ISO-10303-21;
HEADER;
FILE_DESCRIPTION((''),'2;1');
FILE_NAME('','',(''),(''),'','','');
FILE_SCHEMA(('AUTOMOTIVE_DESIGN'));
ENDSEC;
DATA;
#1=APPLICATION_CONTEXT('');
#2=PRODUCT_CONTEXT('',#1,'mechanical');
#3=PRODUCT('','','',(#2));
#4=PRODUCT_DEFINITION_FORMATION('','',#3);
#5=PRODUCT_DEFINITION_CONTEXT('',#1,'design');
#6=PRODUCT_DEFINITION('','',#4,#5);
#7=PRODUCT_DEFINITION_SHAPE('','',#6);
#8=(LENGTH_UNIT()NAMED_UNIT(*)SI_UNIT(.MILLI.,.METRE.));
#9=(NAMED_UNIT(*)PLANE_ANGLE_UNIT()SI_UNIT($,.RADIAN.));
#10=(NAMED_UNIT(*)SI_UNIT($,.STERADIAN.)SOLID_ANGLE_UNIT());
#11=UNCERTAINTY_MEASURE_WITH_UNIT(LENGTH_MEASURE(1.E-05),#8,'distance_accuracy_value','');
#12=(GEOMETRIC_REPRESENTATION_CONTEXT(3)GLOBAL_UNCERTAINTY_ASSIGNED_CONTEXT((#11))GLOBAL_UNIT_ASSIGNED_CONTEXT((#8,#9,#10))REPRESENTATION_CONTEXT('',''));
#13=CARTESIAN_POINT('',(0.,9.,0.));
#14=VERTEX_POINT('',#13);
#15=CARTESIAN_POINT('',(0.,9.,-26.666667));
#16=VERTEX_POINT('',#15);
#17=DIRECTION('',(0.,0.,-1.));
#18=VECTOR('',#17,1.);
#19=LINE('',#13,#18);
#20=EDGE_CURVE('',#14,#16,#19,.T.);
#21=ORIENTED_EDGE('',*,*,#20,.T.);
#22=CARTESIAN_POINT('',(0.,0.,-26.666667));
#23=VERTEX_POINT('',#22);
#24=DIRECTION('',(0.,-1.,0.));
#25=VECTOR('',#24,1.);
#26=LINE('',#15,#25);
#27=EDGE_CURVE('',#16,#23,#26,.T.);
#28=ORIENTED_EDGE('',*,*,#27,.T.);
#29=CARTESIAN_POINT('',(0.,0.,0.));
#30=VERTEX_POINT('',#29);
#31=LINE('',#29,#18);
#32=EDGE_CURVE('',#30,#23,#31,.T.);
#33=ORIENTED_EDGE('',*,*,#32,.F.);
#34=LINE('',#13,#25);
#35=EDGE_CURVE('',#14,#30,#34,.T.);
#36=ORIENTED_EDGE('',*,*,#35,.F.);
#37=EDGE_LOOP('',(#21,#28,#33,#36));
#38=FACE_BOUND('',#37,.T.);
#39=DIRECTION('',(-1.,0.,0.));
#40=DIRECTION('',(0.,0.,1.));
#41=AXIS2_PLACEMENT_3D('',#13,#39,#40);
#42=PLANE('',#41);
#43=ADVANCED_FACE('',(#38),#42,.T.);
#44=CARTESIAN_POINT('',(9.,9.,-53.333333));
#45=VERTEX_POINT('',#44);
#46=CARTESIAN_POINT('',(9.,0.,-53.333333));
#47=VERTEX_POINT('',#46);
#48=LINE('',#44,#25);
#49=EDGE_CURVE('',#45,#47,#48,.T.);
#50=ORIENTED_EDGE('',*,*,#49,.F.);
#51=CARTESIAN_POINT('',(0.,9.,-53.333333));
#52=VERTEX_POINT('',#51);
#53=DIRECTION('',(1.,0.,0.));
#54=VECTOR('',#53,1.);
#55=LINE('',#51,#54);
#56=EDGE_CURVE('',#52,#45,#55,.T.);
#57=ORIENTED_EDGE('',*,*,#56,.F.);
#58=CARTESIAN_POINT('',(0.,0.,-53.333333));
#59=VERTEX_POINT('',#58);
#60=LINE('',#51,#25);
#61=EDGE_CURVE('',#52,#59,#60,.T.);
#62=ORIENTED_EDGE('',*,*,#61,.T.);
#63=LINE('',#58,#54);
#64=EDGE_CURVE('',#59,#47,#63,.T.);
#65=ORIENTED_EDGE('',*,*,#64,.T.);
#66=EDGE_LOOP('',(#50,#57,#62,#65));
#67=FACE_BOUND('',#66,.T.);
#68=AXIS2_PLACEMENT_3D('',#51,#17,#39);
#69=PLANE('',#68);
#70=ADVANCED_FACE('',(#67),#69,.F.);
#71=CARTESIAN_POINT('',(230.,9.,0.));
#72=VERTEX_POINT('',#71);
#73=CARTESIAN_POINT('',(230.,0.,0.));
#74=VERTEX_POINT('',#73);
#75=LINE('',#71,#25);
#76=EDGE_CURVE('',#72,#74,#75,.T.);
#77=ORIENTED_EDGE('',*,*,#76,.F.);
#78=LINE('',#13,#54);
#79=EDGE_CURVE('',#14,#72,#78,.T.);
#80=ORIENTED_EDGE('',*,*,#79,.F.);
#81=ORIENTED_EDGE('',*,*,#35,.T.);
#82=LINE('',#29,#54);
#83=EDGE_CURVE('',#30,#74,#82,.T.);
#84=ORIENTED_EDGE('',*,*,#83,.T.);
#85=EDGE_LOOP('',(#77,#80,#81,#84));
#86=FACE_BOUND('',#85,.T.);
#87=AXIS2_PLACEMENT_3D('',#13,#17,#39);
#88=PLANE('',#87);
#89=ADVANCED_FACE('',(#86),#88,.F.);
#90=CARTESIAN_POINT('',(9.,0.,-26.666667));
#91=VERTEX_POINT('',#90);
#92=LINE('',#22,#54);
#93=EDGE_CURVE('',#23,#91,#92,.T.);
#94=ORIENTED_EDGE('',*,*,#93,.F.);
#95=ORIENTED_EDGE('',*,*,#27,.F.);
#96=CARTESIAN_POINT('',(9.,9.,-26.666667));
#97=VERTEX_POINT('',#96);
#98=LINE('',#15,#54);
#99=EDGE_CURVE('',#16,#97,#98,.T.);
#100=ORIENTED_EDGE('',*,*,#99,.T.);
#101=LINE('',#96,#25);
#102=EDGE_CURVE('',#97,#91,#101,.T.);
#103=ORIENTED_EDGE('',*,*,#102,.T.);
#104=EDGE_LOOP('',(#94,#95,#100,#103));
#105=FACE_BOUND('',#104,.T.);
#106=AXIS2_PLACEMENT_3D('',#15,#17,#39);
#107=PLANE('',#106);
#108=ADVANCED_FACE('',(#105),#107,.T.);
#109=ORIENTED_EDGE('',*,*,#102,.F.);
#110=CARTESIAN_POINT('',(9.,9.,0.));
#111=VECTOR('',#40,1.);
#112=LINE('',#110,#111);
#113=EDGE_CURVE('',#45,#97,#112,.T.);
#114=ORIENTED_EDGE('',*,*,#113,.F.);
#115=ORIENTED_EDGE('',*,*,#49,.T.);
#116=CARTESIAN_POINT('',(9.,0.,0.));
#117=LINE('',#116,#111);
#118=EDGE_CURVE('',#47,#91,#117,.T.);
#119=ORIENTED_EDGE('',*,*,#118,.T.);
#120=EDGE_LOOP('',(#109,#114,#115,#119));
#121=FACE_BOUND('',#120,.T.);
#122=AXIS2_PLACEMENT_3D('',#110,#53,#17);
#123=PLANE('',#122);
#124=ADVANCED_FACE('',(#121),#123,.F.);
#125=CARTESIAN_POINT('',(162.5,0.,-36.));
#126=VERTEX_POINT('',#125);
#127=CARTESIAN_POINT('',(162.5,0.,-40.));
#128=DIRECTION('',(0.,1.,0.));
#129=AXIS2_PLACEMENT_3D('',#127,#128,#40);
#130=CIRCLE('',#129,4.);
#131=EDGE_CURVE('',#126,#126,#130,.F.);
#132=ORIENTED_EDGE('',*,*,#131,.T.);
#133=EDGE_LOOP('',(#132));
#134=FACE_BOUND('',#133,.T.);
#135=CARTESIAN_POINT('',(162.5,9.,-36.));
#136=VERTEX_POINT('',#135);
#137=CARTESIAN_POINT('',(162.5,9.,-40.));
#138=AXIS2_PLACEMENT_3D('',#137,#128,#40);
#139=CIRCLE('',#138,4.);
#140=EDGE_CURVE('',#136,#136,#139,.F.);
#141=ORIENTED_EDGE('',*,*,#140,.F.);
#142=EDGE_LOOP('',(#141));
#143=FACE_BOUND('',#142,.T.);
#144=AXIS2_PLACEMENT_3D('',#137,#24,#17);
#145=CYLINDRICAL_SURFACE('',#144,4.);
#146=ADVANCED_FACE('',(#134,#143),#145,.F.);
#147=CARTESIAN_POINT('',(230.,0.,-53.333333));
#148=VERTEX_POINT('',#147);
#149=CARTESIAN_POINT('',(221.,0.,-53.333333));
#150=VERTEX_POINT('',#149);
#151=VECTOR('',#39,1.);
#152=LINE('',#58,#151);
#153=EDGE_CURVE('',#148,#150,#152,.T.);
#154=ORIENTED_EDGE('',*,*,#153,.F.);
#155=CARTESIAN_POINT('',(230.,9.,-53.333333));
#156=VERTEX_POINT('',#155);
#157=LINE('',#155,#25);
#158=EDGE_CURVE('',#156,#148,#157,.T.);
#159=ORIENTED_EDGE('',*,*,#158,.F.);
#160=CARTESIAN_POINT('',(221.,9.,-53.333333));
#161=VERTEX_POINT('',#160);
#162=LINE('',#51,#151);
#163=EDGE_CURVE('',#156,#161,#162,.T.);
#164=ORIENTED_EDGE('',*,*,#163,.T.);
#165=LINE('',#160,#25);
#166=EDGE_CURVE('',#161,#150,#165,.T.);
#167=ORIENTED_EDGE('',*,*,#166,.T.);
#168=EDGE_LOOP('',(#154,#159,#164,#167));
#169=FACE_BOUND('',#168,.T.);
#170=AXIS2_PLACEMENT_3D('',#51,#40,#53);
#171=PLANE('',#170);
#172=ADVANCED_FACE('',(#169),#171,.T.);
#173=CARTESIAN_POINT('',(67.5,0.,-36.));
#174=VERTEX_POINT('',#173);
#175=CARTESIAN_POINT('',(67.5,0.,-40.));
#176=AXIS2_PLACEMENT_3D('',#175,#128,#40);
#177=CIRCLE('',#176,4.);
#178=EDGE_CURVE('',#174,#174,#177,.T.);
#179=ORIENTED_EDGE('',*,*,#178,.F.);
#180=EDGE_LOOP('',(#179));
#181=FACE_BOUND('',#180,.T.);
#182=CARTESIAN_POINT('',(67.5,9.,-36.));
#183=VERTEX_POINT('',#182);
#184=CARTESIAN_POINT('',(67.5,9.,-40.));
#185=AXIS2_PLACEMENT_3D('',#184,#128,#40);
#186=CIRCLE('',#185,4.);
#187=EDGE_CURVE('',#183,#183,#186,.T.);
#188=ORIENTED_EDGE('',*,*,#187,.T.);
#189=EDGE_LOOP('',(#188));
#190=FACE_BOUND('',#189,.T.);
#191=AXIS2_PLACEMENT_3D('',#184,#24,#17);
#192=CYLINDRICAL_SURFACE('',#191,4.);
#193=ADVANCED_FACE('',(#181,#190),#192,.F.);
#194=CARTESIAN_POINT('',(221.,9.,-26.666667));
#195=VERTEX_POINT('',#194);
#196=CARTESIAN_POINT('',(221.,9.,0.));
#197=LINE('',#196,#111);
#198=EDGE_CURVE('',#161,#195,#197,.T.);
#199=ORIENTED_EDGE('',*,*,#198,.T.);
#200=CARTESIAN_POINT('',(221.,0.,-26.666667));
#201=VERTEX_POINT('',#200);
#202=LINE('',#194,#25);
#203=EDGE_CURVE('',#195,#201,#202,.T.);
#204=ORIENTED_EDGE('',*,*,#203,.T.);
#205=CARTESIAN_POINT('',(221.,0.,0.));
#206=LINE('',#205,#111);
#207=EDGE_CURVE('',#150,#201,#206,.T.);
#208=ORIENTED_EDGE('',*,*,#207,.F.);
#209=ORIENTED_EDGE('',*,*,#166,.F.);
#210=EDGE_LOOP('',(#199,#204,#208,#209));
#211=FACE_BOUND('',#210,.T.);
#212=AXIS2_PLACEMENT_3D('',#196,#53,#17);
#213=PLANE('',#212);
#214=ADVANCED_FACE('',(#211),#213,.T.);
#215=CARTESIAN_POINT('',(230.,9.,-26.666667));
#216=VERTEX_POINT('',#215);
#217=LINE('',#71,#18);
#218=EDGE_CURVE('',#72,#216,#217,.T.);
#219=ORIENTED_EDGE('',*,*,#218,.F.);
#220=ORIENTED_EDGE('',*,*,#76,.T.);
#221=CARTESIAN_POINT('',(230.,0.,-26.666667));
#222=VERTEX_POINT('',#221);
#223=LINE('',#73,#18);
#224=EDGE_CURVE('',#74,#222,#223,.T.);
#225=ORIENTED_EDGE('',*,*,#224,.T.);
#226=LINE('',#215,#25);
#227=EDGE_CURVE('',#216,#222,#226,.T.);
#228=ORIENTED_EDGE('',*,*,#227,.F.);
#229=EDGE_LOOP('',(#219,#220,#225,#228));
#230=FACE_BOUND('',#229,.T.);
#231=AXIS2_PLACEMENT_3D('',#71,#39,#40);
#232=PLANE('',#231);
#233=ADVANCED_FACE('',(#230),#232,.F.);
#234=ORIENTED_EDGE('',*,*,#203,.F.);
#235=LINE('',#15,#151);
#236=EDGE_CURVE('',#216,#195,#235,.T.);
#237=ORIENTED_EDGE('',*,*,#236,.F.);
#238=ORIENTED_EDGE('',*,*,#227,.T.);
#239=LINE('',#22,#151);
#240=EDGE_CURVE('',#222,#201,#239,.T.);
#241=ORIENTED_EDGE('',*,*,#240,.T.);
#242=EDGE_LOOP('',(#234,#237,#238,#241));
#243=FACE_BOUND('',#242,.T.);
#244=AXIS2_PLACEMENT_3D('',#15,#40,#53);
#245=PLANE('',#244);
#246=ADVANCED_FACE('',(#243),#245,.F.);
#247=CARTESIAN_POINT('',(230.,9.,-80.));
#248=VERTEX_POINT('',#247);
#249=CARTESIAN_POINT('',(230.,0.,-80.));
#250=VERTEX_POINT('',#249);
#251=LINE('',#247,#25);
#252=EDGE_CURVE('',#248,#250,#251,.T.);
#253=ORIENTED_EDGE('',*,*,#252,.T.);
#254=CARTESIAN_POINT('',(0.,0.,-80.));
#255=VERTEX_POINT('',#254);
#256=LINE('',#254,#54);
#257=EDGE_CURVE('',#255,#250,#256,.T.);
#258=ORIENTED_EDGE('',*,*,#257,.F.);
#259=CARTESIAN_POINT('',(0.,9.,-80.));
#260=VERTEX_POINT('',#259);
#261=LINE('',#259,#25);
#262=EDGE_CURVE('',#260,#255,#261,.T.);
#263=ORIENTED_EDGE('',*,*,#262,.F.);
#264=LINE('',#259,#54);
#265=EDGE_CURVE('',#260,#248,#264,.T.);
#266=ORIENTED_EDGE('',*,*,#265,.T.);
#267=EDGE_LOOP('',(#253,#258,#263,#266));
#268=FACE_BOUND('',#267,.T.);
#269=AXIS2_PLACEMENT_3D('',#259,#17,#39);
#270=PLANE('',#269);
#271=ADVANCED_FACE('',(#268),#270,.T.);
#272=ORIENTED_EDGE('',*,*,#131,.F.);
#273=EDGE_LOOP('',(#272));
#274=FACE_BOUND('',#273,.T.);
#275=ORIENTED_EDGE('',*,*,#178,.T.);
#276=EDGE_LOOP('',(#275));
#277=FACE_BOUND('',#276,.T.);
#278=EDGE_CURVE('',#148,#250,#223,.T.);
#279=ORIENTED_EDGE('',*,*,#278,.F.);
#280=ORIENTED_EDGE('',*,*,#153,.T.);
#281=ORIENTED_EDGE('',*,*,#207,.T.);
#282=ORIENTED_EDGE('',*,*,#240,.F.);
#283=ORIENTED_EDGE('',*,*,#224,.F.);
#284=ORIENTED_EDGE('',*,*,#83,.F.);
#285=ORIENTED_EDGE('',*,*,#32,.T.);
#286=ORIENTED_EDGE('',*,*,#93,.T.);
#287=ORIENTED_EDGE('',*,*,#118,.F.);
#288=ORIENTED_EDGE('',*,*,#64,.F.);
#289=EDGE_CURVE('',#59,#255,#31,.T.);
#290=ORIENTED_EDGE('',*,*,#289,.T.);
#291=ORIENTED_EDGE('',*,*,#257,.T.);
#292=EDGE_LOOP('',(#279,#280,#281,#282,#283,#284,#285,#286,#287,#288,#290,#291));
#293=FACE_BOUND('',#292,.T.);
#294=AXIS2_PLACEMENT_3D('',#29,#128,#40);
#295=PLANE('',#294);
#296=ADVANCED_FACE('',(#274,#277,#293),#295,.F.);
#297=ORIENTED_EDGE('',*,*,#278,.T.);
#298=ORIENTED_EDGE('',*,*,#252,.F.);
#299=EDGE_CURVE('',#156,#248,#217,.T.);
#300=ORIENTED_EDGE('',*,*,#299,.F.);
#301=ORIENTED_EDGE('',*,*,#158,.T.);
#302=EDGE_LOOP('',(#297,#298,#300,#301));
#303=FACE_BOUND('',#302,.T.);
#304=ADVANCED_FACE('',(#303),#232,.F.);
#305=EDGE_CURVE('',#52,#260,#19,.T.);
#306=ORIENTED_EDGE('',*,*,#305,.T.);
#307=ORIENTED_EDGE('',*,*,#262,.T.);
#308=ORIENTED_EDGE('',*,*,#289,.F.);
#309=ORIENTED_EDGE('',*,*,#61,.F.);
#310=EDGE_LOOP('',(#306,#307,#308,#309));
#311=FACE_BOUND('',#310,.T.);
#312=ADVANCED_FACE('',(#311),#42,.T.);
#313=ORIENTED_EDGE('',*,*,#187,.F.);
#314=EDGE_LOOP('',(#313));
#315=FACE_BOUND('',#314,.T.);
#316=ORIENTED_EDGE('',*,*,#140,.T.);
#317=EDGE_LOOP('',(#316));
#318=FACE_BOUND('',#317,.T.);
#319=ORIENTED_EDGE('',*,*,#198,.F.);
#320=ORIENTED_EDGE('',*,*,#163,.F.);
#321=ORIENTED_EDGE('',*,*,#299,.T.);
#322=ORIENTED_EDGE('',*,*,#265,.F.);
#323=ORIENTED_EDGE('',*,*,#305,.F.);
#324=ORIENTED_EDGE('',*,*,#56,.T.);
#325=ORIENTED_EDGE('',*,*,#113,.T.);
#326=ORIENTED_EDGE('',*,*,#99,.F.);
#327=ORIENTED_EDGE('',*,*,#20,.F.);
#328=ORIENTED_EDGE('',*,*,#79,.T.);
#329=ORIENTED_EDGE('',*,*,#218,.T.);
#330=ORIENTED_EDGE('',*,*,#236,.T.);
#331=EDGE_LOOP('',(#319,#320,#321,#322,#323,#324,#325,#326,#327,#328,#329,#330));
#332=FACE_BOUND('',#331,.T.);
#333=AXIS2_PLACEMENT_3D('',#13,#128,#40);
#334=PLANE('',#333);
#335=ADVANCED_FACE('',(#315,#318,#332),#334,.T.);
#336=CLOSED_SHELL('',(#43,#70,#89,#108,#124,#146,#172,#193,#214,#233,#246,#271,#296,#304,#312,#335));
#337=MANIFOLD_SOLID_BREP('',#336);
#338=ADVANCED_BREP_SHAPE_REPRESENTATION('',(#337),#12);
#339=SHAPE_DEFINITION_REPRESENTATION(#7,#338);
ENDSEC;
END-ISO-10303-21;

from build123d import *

# Parameters (mm, degrees)
SKETCH1_R           = 4
SKETCH1_W           = 9
SKETCH1_H           = 26.666666667
BOSS_EXTRUDE1_DEPTH = 9


with BuildPart() as part:
    # Sketch1 → Boss-Extrude1 (new body)
    # profile 1 of 5: a face of its own
    with BuildSketch(Plane(origin=(0, 0, 0), x_dir=(1, 0, 0), z_dir=(0, 1, 0))):
        Polygon((9, 26.666666667), (9, 0), (221, 0), (221, 26.666666667), (221, 53.333333333), (221, 80), (9, 80), (9, 53.333333333), align=None)
        with Locations(Location((67.5, 40, 0), (0, 0, 270))):
            Circle(SKETCH1_R, mode=Mode.SUBTRACT)
        with Locations(Location((162.5, 40, 0), (0, 0, 270))):
            Circle(SKETCH1_R, mode=Mode.SUBTRACT)
    # profile 2 of 5: a face of its own
    with BuildSketch(Plane(origin=(0, 0, 0), x_dir=(1, 0, 0), z_dir=(0, 1, 0))):
        with Locations((4.5, 66.666666667)):
            Rectangle(SKETCH1_W, SKETCH1_H)
    # profile 3 of 5: a face of its own
    with BuildSketch(Plane(origin=(0, 0, 0), x_dir=(1, 0, 0), z_dir=(0, 1, 0))):
        with Locations((4.5, 13.333333334)):
            Rectangle(SKETCH1_W, SKETCH1_H)
    # profile 4 of 5: a face of its own
    with BuildSketch(Plane(origin=(0, 0, 0), x_dir=(1, 0, 0), z_dir=(0, 1, 0))):
        with Locations((225.5, 66.666666667)):
            Rectangle(SKETCH1_W, SKETCH1_H)
    # profile 5 of 5: a face of its own
    with BuildSketch(Plane(origin=(0, 0, 0), x_dir=(1, 0, 0), z_dir=(0, 1, 0))):
        with Locations((225.5, 13.333333334)):
            Rectangle(SKETCH1_W, SKETCH1_H)
    extrude(amount=BOSS_EXTRUDE1_DEPTH)


solid = part.part
